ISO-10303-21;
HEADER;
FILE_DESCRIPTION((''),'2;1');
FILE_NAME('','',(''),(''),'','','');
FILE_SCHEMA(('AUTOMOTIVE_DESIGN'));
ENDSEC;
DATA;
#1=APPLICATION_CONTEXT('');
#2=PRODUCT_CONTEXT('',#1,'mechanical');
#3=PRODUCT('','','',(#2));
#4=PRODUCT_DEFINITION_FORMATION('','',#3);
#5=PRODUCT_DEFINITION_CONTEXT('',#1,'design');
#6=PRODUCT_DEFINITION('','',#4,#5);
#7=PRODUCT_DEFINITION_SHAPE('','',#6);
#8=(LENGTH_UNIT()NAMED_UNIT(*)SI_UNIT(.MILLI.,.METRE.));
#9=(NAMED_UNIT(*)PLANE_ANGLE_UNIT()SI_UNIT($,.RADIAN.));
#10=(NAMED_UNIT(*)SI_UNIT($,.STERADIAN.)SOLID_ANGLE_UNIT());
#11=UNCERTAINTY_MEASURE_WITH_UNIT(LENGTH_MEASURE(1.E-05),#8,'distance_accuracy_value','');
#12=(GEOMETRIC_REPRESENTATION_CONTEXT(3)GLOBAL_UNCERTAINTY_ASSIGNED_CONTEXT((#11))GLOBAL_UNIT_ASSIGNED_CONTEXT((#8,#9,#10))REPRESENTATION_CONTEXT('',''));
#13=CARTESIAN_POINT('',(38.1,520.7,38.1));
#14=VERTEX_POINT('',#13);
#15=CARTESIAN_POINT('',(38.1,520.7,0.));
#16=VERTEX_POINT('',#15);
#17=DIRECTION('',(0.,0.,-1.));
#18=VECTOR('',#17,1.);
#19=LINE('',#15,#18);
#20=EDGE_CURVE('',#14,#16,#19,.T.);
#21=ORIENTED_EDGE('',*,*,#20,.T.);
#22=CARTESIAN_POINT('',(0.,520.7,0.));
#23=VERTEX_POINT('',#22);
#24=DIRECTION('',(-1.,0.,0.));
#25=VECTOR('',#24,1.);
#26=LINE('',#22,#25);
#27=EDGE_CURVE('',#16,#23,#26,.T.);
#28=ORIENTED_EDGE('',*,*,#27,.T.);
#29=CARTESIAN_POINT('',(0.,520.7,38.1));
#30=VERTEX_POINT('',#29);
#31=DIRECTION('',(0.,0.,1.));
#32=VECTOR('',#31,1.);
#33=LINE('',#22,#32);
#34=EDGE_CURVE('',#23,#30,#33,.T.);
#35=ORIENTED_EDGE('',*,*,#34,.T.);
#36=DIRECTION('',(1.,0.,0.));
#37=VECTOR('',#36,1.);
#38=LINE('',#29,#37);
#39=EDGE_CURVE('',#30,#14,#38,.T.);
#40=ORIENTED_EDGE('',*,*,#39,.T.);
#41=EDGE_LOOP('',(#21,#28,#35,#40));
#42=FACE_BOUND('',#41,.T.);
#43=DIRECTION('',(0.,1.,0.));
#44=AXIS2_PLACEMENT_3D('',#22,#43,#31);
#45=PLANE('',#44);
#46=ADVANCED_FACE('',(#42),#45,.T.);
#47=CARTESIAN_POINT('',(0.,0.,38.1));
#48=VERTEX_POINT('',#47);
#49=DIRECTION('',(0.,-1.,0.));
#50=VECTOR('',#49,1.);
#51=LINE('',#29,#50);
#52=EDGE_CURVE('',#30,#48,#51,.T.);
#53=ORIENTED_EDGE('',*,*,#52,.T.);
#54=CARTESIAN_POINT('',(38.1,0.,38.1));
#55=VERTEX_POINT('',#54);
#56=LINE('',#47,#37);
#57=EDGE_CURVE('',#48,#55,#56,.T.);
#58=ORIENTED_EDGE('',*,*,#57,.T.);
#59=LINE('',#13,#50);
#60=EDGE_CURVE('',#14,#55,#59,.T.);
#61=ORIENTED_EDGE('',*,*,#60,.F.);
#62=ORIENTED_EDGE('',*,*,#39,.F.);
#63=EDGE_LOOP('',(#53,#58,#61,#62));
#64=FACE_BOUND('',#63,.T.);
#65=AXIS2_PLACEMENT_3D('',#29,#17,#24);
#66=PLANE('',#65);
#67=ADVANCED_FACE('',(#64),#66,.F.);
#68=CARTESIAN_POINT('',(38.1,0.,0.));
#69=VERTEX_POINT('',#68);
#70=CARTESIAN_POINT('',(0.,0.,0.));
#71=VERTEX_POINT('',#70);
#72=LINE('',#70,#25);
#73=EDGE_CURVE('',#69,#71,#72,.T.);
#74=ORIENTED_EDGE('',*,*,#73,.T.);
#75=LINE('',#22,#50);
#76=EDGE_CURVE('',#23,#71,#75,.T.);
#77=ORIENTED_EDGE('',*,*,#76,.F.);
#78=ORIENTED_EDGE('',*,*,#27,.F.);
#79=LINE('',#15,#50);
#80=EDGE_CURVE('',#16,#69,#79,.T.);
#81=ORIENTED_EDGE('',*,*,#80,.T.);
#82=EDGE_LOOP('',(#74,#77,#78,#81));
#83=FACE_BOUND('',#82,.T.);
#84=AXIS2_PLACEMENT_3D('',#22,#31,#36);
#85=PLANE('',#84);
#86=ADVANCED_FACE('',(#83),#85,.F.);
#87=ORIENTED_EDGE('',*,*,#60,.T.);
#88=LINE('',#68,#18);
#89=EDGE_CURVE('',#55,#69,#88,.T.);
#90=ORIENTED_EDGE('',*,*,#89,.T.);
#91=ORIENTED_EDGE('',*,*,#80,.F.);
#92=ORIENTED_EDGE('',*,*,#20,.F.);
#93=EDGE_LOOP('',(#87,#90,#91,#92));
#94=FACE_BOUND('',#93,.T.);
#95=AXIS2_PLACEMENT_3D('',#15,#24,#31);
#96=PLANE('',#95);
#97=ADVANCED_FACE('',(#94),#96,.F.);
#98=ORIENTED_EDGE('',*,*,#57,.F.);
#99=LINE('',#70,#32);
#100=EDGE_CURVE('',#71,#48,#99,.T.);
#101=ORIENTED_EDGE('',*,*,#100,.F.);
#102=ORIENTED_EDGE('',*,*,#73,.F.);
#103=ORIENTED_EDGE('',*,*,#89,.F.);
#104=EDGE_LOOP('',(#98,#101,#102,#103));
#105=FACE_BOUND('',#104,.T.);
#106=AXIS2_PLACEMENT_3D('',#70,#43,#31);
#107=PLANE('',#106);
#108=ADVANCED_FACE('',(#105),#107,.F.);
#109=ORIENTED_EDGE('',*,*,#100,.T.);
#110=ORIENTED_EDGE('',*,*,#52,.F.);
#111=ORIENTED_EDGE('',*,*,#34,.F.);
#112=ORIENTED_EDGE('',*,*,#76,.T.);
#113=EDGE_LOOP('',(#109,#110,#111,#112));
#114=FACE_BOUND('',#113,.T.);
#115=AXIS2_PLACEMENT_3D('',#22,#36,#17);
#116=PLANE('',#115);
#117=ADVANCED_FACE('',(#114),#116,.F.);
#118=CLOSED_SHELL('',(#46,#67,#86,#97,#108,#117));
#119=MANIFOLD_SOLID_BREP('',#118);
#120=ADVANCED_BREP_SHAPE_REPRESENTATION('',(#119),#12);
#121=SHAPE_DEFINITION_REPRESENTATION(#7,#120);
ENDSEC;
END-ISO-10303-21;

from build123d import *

# Parameters (mm, degrees)
SKETCH1_W           = 38.1
SKETCH1_H           = 38.1
BOSS_EXTRUDE1_DEPTH = 520.7


with BuildPart() as part:
    # Sketch1 → Boss-Extrude1 (new body)
    with BuildSketch(Plane(origin=(0, 0, 0), x_dir=(1, 0, 0), z_dir=(0, 1, 0))):
        with Locations((19.05, -19.05)):
            Rectangle(SKETCH1_W, SKETCH1_H)
    extrude(amount=BOSS_EXTRUDE1_DEPTH)


solid = part.part
